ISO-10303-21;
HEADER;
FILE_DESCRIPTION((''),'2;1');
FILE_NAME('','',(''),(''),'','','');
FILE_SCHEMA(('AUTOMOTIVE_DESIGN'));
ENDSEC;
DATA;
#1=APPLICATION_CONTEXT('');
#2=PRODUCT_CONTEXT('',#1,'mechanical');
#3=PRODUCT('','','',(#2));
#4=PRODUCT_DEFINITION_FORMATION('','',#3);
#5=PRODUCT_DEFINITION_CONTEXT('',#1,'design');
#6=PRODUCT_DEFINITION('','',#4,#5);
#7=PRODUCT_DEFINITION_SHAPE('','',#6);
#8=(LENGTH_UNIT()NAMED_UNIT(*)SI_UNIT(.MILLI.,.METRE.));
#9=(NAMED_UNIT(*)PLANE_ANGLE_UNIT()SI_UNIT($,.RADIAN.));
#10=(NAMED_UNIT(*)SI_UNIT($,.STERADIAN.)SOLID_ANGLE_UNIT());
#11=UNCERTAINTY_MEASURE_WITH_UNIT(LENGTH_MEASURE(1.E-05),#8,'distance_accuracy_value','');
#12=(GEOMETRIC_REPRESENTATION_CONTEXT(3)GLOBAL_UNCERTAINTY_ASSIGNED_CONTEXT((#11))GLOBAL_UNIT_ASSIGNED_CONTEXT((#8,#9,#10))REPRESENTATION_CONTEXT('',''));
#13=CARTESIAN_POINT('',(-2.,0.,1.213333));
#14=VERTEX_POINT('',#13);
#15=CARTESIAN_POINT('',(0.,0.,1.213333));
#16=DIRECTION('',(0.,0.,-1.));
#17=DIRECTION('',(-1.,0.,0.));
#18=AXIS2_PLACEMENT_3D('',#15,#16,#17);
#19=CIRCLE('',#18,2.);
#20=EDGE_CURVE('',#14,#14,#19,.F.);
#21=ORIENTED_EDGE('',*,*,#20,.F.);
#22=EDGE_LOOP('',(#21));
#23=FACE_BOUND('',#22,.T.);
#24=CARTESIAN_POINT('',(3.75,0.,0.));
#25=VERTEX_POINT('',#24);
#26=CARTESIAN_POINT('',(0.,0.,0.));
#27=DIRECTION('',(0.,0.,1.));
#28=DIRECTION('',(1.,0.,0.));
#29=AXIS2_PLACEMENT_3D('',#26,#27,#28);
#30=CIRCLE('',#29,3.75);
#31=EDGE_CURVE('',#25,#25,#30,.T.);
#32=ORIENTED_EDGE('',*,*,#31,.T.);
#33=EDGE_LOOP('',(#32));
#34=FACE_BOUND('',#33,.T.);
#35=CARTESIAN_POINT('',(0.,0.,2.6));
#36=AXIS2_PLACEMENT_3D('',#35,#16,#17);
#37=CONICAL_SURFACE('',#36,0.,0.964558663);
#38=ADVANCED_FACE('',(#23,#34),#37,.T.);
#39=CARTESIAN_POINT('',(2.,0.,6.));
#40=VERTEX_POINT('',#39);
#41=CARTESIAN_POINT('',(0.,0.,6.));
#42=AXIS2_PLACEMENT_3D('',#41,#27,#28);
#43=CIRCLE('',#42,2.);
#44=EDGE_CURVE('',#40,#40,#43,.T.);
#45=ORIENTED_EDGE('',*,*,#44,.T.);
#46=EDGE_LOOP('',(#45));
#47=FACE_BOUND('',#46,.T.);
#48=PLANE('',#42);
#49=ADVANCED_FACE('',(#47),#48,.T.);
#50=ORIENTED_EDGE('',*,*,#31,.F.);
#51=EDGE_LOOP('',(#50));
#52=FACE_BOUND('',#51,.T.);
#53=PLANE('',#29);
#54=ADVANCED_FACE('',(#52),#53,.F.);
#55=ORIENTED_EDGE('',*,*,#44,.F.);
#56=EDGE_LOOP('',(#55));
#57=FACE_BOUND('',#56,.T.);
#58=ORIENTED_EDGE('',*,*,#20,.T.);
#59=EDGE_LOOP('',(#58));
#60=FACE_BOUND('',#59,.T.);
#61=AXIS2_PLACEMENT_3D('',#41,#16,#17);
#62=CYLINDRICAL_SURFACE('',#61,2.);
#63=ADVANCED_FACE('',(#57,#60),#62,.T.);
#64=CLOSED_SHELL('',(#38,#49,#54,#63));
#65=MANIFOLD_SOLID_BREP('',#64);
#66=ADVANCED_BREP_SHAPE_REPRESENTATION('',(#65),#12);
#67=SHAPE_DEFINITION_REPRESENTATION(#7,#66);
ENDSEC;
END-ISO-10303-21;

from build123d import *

# Parameters (mm, degrees)
SKETCH_1_R      = 2
EXTRUDE_1_DEPTH = 6


with BuildPart() as part:
    # 草图1 → 凸台-拉伸1 (new body)
    with BuildSketch(Plane.XY):
        Circle(SKETCH_1_R)
    extrude(amount=EXTRUDE_1_DEPTH)

    # 草图2 → 旋转1 (revolve)
    with BuildSketch(Plane(origin=(0, 0, 0), x_dir=(1, 0, 0), z_dir=(0, 1, 0)), mode=Mode.PRIVATE) as revolve_1_sk:
        Polygon((0, 0), (3.75, 0), (0, -2.6), align=None)
    revolve(revolve_1_sk.sketch.rotate(Axis((0, 0, 2.6), (0, 0, -1)), 180), axis=Axis((0, 0, 2.6), (0, 0, -1)))


solid = part.part
